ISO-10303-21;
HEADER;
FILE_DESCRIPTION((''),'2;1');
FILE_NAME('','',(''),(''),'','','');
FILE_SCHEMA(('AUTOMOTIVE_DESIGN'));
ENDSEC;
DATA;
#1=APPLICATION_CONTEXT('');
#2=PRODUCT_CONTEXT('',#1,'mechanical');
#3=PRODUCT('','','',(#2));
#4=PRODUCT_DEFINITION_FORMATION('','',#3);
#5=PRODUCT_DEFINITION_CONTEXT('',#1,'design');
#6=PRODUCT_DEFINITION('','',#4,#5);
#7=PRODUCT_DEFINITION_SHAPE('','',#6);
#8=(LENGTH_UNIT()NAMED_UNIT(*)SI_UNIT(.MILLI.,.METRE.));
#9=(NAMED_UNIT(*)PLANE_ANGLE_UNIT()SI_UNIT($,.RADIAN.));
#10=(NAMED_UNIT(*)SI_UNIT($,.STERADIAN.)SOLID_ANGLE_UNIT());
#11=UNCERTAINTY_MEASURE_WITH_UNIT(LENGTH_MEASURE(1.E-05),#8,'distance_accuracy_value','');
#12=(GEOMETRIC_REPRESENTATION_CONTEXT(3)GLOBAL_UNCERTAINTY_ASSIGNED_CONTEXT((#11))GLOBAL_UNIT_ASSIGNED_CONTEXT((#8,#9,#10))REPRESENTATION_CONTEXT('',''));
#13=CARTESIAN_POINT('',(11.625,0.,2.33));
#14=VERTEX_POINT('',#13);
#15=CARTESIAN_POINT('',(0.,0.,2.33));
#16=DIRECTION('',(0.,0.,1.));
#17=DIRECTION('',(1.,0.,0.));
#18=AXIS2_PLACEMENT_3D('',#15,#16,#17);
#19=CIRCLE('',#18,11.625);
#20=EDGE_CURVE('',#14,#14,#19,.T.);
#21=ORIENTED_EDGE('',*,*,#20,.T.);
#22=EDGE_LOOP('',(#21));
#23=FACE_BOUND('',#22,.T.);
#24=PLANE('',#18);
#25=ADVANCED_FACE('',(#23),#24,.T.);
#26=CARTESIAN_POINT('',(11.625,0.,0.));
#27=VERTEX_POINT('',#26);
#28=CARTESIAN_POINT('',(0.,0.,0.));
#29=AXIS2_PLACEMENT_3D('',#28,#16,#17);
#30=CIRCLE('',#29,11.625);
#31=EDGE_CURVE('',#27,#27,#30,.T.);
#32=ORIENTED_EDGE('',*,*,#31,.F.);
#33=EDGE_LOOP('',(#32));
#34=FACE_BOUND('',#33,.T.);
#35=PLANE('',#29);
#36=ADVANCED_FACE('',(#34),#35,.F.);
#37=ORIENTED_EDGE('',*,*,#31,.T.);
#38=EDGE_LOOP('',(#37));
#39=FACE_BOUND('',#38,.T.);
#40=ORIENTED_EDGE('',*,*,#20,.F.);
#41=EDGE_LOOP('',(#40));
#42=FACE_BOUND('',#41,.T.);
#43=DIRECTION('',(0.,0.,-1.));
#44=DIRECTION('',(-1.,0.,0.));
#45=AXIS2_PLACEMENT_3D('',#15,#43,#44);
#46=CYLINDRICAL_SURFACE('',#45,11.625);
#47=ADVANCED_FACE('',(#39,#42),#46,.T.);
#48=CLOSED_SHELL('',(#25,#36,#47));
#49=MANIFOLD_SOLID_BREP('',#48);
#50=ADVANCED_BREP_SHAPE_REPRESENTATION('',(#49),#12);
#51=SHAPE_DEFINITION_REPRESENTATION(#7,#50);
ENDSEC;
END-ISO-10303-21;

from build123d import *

# Parameters (mm, degrees)
ESQUISSE1_R        = 11.625
BOSS_EXTRU_1_DEPTH = 2.33


with BuildPart() as part:
    # Esquisse1 → Boss.-Extru.1 (new body)
    with BuildSketch(Plane.XY):
        Circle(ESQUISSE1_R)
    extrude(amount=BOSS_EXTRU_1_DEPTH)


solid = part.part
